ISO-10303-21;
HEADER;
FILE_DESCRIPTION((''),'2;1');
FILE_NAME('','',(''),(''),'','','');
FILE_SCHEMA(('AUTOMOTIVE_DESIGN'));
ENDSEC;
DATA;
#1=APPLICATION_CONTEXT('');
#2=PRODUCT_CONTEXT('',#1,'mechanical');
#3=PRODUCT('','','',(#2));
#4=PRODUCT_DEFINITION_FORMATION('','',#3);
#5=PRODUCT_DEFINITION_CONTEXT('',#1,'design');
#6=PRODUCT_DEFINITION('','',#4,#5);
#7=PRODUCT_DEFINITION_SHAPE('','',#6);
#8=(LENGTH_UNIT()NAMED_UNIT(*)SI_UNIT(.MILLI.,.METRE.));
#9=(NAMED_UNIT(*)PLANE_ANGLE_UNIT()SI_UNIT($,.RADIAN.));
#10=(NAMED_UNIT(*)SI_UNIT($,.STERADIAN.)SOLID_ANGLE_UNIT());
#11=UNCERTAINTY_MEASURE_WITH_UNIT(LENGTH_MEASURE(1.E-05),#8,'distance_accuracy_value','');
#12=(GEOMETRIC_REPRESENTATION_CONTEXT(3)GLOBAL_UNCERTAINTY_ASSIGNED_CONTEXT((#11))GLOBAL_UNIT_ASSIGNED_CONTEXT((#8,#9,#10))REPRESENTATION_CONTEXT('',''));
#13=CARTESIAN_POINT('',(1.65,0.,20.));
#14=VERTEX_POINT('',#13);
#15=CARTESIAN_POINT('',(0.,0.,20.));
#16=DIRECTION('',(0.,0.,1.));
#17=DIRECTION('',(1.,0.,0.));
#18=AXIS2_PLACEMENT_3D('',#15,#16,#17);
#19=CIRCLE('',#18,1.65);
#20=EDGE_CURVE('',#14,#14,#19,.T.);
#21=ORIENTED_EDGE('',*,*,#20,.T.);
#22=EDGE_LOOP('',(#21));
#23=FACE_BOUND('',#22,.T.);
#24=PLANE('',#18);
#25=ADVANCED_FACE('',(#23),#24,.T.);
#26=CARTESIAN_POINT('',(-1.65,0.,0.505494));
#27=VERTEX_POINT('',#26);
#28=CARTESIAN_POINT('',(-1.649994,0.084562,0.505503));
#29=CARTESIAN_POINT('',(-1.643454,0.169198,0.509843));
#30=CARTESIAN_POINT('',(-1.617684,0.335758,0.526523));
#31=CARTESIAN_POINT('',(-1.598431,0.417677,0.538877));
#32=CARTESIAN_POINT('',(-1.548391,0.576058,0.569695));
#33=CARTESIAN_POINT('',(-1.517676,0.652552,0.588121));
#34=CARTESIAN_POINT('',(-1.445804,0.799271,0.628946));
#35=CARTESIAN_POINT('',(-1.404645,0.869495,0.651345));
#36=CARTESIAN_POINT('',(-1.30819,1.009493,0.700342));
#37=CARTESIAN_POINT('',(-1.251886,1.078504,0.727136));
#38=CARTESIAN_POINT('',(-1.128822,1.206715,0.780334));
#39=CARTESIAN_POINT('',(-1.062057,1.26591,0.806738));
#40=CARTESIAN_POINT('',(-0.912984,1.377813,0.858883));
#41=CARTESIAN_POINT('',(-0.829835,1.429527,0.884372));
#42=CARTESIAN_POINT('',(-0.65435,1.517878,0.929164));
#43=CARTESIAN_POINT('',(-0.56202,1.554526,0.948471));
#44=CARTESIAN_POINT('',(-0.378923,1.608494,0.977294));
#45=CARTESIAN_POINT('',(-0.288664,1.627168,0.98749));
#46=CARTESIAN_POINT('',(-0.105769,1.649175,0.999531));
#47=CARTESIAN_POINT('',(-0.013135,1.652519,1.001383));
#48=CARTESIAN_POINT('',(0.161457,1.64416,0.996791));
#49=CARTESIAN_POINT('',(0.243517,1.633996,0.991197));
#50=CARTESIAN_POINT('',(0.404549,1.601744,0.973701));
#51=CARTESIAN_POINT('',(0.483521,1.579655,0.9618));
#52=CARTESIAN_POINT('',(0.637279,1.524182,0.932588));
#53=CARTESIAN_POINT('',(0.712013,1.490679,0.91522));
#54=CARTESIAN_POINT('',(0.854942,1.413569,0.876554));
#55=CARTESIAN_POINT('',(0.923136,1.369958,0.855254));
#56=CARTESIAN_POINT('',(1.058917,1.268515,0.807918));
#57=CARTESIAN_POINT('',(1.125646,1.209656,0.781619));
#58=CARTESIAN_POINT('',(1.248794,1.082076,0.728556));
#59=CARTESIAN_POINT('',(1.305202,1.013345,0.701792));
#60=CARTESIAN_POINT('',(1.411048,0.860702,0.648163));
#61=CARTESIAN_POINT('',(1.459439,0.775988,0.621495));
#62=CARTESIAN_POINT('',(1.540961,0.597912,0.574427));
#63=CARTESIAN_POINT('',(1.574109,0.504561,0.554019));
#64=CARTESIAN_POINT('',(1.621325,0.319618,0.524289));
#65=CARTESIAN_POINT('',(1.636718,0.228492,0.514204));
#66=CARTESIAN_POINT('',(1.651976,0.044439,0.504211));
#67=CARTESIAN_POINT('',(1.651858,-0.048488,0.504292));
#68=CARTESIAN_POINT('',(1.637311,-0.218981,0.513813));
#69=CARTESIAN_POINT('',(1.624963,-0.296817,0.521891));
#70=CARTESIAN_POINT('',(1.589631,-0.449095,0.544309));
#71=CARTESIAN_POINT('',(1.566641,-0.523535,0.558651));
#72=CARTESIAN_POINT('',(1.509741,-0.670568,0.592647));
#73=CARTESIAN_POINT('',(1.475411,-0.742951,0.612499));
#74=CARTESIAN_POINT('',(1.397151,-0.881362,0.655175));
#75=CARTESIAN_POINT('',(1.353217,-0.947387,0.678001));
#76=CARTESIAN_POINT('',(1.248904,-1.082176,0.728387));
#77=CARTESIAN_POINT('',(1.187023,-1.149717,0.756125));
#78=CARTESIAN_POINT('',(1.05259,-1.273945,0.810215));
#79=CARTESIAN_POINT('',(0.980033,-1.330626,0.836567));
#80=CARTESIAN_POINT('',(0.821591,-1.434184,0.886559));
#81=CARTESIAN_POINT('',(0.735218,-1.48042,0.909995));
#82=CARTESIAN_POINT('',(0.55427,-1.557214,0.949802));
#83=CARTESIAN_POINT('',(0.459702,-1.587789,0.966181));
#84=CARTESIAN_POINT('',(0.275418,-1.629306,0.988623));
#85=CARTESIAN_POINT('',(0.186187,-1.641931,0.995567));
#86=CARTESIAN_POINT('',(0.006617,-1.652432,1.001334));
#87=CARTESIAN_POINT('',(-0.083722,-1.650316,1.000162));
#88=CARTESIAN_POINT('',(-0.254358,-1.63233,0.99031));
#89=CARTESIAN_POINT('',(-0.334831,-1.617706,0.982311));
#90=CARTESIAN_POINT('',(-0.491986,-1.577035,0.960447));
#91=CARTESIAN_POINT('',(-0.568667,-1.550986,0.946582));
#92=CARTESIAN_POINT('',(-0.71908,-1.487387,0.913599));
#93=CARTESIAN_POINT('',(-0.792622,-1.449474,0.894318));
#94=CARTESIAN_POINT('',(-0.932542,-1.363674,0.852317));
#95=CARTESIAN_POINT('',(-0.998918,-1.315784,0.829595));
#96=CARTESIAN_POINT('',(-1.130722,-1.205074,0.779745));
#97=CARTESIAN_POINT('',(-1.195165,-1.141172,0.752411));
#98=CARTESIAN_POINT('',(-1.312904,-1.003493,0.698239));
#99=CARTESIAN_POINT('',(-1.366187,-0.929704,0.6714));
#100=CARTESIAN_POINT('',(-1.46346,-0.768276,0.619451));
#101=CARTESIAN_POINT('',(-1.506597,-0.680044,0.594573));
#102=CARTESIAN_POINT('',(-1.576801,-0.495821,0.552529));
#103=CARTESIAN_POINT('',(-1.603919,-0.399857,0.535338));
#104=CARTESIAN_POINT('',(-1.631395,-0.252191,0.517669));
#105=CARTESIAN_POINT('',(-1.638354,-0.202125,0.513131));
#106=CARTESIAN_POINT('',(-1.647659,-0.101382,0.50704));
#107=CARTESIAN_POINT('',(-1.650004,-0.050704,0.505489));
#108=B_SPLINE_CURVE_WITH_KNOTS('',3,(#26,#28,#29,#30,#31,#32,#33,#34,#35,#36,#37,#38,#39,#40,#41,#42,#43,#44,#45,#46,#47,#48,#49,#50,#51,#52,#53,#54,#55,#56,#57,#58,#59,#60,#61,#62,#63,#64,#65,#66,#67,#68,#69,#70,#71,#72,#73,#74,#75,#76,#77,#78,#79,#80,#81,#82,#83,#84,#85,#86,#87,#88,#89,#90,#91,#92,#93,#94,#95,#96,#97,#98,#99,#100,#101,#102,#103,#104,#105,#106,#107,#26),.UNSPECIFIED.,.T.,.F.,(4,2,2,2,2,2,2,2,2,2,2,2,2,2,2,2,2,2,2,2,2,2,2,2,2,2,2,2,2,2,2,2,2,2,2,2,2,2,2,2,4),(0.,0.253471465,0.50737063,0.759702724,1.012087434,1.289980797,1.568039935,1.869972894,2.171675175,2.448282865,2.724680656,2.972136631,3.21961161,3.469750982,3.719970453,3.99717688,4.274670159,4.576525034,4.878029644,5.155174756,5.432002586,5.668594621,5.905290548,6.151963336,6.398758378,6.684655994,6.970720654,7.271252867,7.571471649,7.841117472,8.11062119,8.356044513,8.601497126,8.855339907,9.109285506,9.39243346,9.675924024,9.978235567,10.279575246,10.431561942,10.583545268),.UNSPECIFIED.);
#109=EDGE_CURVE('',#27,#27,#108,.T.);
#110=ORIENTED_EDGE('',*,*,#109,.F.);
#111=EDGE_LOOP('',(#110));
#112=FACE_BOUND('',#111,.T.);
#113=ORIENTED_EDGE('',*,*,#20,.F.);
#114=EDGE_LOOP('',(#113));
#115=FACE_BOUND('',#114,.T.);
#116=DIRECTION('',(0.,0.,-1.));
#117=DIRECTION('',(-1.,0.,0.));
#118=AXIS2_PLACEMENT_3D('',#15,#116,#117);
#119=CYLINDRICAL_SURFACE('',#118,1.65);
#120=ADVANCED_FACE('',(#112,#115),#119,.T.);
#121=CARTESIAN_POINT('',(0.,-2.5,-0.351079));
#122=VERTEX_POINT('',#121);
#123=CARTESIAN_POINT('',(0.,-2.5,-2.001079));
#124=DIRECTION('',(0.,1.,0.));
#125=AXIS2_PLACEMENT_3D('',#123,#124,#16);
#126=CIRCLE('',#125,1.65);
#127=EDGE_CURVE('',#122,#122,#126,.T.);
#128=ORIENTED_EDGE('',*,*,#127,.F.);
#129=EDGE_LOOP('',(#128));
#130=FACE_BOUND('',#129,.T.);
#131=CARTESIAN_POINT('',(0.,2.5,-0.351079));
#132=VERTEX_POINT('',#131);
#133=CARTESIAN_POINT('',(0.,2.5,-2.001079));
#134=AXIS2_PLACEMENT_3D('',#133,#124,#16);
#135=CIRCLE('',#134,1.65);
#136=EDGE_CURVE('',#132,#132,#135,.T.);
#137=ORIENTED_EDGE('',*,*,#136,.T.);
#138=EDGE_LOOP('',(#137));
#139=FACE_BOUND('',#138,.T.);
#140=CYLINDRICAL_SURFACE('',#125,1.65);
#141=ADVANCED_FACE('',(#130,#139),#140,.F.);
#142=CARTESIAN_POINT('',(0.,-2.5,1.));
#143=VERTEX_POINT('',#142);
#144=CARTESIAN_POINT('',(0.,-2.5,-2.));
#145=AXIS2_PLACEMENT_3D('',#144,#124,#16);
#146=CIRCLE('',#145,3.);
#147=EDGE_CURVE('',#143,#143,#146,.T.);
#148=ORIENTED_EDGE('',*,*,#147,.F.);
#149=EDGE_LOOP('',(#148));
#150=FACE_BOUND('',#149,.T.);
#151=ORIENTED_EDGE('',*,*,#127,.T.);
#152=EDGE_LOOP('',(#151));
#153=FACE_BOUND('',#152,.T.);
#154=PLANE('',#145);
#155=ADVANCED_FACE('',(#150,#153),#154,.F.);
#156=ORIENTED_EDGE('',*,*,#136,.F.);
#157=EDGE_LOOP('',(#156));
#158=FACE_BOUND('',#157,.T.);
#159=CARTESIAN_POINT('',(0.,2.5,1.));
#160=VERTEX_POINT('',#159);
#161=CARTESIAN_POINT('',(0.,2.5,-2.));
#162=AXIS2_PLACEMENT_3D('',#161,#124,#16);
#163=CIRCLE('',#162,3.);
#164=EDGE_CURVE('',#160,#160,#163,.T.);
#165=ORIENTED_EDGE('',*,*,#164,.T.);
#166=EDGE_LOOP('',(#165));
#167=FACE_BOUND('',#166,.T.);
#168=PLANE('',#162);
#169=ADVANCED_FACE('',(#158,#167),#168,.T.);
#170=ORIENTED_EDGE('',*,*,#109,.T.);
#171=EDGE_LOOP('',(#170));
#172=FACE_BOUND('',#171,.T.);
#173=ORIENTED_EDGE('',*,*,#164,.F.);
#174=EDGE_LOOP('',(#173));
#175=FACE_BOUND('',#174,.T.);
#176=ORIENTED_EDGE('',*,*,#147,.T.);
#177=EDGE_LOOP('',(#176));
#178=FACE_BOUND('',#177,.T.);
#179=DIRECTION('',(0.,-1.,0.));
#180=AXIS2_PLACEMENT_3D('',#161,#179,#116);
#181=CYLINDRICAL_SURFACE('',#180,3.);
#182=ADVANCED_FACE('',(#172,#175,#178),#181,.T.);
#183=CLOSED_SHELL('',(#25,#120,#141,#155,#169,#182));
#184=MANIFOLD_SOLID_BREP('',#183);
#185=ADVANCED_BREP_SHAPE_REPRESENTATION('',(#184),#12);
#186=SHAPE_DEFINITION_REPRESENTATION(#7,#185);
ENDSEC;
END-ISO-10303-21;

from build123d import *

# Parameters (mm, degrees)
SKICA1_R                 = 1.65
P_IDAT_VYSUNUT_M1_DEPTH  = 20
SKICA2_R                 = 3
P_IDAT_VYSUNUT_M2_DEPTH  = 2.5
SKICA4_R                 = 1.65
ODEBRAT_VYSUNUT_M1_DEPTH = 5


with BuildPart() as part:
    # Skica1 → Přidat vysunutím1 (new body)
    with BuildSketch(Plane.XY):
        Circle(SKICA1_R)
    extrude(amount=P_IDAT_VYSUNUT_M1_DEPTH)

    # Skica2 → Přidat vysunutím2 (add, symmetric)
    with BuildSketch(Plane(origin=(0, 0, 0), x_dir=(1, 0, 0), z_dir=(0, 1, 0))):
        with Locations((0, 2)):
            Circle(SKICA2_R)
    extrude(amount=P_IDAT_VYSUNUT_M2_DEPTH, both=True)

    # Skica4 → Odebrat vysunutím1 (cut)
    with BuildSketch(Plane(origin=(0, 2.5, 0), x_dir=(1, 0, 0), z_dir=(0, 1, 0))):
        with Locations((0, 2.001079416)):
            Circle(SKICA4_R)
    extrude(amount=-ODEBRAT_VYSUNUT_M1_DEPTH, mode=Mode.SUBTRACT)


solid = part.part
